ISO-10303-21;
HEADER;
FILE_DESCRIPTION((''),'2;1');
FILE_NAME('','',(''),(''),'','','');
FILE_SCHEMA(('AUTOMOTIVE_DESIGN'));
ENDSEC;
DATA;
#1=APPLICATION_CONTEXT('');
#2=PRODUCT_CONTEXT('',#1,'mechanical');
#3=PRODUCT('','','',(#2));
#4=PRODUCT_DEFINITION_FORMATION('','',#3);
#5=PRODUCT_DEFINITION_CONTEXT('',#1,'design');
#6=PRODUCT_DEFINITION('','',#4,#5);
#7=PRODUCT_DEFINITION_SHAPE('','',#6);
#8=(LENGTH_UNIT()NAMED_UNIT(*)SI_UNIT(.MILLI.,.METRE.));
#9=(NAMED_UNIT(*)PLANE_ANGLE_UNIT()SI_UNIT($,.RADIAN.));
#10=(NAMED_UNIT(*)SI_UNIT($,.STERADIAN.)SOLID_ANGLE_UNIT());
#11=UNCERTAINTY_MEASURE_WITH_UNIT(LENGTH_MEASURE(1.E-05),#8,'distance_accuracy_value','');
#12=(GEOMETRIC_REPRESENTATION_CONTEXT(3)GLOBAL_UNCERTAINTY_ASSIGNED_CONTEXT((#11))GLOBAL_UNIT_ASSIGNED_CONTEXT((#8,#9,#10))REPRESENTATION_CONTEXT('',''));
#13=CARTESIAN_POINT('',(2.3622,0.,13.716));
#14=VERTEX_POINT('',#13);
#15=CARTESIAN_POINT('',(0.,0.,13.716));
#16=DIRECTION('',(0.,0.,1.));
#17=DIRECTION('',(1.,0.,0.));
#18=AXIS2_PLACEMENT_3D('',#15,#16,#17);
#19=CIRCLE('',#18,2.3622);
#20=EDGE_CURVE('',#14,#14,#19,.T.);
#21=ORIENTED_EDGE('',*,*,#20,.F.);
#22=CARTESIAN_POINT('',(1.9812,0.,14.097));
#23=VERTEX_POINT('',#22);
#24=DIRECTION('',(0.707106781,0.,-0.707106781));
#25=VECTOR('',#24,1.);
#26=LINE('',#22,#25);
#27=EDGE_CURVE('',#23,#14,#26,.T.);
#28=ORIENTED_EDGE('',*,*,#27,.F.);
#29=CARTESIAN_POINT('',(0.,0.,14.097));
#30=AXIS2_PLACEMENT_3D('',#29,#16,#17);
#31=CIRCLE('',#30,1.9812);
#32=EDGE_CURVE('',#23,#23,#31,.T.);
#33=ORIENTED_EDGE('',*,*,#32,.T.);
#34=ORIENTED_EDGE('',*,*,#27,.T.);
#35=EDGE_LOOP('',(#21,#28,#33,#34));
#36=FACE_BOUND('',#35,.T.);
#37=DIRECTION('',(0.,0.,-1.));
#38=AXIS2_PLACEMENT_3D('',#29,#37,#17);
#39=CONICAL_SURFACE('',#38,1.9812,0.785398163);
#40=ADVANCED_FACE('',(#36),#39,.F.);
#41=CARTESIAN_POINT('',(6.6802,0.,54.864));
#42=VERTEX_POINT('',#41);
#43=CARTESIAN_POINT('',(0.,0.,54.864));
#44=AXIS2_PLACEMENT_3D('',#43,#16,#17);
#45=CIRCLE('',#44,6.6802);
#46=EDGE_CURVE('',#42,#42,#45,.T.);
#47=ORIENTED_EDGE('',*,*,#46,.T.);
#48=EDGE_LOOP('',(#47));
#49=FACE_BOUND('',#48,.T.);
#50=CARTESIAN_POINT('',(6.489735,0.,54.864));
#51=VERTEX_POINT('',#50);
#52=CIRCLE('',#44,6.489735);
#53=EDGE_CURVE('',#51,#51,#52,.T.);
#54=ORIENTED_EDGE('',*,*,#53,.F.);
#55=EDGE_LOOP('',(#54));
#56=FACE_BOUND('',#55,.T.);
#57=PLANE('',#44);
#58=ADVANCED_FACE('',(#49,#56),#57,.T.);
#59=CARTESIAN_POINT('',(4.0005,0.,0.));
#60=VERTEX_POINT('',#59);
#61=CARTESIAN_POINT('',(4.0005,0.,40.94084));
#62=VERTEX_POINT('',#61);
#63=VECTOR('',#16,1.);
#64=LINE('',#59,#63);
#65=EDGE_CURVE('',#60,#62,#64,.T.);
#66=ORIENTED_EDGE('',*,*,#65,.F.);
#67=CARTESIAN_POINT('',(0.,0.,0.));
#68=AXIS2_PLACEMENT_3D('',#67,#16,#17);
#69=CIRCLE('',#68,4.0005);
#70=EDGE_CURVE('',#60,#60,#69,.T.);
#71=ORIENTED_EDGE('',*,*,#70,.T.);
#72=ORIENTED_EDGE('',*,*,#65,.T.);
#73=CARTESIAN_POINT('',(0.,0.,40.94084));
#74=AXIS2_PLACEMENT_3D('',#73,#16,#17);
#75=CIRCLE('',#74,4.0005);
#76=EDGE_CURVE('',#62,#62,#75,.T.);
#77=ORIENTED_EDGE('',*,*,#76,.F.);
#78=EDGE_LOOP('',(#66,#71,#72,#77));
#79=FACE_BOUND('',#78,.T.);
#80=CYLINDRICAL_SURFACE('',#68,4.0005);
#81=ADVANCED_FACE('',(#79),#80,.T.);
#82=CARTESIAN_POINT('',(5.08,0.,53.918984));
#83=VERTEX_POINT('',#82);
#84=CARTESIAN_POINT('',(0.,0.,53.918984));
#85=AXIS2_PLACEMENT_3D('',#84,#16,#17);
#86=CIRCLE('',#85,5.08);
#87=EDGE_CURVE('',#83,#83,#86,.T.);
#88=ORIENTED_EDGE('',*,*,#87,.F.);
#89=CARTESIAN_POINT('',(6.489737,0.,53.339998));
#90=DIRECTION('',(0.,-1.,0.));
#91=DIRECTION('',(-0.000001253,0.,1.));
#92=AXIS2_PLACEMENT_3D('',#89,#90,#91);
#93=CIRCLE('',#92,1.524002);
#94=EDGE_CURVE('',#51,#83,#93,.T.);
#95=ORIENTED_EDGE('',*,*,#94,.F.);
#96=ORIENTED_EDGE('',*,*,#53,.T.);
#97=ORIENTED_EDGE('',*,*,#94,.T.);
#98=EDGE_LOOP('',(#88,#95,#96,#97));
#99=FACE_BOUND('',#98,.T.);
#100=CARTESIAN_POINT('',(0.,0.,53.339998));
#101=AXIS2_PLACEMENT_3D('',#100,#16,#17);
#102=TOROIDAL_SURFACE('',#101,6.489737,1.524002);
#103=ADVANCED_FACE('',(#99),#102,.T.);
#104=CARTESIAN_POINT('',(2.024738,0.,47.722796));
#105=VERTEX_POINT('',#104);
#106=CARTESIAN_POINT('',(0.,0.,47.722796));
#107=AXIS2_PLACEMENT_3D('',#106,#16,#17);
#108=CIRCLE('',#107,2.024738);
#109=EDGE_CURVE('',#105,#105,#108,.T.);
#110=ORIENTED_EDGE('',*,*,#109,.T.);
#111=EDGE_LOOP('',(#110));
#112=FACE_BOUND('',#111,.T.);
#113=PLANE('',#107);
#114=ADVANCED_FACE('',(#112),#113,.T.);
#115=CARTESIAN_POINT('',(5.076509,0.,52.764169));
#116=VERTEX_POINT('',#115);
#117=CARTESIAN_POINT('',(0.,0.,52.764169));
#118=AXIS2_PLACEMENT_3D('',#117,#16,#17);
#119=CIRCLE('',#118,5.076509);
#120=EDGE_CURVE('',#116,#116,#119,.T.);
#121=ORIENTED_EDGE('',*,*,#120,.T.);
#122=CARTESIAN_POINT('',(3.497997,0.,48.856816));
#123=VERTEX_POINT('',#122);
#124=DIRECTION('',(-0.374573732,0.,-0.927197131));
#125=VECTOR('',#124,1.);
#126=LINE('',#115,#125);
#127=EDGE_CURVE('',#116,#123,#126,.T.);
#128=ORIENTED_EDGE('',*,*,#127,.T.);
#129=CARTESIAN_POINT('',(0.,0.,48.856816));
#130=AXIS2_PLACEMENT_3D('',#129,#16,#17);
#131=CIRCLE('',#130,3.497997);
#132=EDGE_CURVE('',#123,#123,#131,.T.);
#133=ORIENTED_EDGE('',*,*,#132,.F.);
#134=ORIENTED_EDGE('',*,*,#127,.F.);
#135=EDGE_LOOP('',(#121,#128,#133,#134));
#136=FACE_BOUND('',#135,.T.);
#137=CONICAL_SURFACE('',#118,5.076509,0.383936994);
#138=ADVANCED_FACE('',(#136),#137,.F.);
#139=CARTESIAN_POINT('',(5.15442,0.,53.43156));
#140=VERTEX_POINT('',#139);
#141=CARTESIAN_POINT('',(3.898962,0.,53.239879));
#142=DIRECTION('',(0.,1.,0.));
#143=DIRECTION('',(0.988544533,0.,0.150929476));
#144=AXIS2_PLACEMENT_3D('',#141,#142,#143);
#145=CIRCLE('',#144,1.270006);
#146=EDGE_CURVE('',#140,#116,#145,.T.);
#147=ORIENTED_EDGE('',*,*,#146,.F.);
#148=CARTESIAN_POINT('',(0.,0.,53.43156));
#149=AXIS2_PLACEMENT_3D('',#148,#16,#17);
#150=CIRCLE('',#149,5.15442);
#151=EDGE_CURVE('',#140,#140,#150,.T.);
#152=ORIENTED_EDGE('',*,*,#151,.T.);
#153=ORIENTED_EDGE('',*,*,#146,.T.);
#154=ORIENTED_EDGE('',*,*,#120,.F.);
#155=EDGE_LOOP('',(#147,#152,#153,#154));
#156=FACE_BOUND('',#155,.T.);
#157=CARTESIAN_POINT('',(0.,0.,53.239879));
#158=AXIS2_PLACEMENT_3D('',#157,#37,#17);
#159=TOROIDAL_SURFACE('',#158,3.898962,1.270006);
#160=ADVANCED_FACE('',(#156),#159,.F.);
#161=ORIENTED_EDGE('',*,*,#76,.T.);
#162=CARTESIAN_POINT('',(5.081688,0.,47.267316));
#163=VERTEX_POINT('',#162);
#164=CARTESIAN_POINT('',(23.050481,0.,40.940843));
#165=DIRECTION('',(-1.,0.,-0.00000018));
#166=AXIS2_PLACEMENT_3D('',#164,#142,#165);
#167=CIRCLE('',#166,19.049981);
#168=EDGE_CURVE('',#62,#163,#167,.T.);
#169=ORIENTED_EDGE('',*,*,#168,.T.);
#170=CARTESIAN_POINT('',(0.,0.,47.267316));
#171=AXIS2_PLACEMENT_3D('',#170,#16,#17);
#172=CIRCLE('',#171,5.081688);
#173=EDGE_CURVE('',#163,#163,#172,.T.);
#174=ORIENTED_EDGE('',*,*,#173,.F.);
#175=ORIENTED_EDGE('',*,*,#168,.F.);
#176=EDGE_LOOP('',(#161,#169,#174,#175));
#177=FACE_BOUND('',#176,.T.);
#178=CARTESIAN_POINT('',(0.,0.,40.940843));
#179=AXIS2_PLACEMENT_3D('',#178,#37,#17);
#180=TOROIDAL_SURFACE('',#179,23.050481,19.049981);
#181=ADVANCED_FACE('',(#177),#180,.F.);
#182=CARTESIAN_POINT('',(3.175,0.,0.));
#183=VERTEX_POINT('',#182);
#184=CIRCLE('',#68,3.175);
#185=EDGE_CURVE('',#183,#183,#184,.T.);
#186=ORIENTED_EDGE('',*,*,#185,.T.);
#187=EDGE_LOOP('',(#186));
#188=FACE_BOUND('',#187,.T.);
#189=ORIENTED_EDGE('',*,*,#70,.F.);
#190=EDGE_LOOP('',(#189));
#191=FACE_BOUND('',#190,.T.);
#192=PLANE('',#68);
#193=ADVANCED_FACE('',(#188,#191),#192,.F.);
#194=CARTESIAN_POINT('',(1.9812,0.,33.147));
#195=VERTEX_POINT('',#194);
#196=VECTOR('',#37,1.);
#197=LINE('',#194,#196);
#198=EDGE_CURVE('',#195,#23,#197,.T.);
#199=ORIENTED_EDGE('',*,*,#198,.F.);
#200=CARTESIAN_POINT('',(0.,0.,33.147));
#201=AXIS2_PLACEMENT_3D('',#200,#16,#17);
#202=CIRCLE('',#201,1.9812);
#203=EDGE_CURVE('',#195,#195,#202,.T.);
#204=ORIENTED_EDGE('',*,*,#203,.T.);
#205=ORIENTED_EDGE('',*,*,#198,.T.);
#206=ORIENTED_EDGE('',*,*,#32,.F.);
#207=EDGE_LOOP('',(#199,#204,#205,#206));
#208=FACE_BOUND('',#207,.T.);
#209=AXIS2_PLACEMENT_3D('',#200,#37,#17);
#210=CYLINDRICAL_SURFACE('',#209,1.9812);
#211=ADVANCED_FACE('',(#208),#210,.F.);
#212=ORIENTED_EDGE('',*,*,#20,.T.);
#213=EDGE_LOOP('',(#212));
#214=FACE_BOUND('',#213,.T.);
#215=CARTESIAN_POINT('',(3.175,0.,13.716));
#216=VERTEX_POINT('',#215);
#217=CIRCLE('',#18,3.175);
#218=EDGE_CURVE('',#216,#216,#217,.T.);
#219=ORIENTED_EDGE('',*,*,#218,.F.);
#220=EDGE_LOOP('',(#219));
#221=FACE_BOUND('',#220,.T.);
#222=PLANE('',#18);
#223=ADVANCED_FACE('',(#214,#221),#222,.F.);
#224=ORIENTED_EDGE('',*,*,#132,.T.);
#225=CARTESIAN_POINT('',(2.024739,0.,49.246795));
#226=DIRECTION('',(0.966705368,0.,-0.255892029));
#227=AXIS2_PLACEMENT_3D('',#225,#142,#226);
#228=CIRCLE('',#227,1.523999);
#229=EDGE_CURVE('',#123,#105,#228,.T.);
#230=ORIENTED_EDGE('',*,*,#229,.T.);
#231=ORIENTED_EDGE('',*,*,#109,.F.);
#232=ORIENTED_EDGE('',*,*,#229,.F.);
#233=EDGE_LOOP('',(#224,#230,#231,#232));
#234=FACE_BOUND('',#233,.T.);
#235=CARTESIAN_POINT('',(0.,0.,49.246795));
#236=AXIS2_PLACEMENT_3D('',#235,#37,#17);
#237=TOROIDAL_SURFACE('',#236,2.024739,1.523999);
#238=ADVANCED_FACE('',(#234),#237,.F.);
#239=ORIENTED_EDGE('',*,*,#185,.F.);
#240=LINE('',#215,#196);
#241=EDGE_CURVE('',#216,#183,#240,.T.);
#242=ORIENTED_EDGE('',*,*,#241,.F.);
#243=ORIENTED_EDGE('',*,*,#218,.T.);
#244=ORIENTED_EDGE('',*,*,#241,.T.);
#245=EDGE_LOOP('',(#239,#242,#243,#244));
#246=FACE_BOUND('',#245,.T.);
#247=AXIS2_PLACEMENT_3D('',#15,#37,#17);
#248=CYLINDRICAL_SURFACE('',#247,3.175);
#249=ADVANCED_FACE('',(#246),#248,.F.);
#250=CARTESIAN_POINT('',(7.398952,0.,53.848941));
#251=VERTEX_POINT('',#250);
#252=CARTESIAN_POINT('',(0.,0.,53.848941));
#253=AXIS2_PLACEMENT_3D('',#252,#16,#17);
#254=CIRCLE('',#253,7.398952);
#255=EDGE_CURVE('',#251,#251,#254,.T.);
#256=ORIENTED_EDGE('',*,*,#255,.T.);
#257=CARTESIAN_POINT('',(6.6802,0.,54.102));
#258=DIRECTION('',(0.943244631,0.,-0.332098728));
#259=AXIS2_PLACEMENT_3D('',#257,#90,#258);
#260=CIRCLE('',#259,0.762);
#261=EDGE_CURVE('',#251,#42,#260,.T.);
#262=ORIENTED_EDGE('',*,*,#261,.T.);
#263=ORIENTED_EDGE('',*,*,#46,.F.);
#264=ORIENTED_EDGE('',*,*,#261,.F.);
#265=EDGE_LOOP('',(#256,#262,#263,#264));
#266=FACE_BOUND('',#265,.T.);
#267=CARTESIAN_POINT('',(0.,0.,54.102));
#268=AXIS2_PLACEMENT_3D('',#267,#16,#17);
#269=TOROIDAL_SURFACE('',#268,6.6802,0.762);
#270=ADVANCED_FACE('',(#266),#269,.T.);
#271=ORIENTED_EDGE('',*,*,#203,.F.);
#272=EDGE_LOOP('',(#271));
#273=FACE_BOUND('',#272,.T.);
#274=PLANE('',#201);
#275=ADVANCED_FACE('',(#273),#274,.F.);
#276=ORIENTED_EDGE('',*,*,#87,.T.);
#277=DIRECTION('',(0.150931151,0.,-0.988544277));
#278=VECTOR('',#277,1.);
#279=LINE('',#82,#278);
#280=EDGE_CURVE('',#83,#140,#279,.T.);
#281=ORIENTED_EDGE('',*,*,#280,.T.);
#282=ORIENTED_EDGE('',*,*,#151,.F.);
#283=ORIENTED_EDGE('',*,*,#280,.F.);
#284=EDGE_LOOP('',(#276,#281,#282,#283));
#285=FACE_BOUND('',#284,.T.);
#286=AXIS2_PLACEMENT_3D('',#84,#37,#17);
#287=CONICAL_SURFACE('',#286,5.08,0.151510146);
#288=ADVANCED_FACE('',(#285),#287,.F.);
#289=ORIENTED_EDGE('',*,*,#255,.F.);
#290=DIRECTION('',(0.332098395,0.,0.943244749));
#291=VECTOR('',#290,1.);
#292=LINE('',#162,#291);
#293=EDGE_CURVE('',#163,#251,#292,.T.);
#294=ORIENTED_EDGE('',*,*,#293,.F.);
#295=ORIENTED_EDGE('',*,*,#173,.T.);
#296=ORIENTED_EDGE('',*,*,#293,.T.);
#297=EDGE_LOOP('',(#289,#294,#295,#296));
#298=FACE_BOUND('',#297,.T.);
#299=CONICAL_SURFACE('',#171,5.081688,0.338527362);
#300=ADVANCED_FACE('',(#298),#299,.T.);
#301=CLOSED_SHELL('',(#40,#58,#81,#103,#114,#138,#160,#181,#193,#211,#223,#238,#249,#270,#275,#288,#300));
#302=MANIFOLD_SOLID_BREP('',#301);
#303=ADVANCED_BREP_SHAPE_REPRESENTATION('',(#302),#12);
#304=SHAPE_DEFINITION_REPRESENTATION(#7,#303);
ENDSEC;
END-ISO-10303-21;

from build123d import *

# Parameters (mm, degrees)
F2_SIZE = 0.381


with BuildPart() as f1:
    # F0 (on Front) → F1 (revolve)
    with BuildSketch(Plane.XZ):
        with BuildLine():
            Line((3.175, 13.716), (3.175, 0))
            Line((3.175, 0), (4.0005, 0))
            Line((4.0005, 0), (4.0005, 40.94084))
            ThreePointArc((4.0005, 40.94084), (4.272742, 44.149939), (5.081688, 47.267316))
            Line((5.081688, 47.267316), (7.398952, 53.848941))
            ThreePointArc((7.398952, 53.848941), (7.302082, 54.542348), (6.6802, 54.864))
            Line((6.6802, 54.864), (6.489735, 54.864))
            ThreePointArc((6.489735, 54.864), (5.641147, 54.605888), (5.08, 53.918984))
            Line((5.08, 53.918984), (5.15442, 53.43156))
            ThreePointArc((5.15442, 53.43156), (5.160402, 53.092618), (5.076509, 52.764169))
            Line((5.076509, 52.764169), (3.497997, 48.856816))
            ThreePointArc((3.497997, 48.856816), (2.954321, 48.039132), (2.024738, 47.722796))
            Line((2.024738, 47.722796), (0, 47.722796))
            Line((0, 47.722796), (0, 46.680742))
            Line((0, 46.680742), (0, 33.147))
            Line((0, 33.147), (1.9812, 33.147))
            Line((1.9812, 33.147), (1.9812, 13.716))
            Line((1.9812, 13.716), (3.175, 13.716))
        make_face()
    revolve(axis=Axis((0, 0, 53.415886), (0, 0, 1)))

    # F2
    f2_edges = [f1.edges().sort_by_distance(p)[0] for p in [
        (-1.9812, 0, 13.716),
    ]]
    chamfer(f2_edges, length=F2_SIZE)


solid = f1.part
